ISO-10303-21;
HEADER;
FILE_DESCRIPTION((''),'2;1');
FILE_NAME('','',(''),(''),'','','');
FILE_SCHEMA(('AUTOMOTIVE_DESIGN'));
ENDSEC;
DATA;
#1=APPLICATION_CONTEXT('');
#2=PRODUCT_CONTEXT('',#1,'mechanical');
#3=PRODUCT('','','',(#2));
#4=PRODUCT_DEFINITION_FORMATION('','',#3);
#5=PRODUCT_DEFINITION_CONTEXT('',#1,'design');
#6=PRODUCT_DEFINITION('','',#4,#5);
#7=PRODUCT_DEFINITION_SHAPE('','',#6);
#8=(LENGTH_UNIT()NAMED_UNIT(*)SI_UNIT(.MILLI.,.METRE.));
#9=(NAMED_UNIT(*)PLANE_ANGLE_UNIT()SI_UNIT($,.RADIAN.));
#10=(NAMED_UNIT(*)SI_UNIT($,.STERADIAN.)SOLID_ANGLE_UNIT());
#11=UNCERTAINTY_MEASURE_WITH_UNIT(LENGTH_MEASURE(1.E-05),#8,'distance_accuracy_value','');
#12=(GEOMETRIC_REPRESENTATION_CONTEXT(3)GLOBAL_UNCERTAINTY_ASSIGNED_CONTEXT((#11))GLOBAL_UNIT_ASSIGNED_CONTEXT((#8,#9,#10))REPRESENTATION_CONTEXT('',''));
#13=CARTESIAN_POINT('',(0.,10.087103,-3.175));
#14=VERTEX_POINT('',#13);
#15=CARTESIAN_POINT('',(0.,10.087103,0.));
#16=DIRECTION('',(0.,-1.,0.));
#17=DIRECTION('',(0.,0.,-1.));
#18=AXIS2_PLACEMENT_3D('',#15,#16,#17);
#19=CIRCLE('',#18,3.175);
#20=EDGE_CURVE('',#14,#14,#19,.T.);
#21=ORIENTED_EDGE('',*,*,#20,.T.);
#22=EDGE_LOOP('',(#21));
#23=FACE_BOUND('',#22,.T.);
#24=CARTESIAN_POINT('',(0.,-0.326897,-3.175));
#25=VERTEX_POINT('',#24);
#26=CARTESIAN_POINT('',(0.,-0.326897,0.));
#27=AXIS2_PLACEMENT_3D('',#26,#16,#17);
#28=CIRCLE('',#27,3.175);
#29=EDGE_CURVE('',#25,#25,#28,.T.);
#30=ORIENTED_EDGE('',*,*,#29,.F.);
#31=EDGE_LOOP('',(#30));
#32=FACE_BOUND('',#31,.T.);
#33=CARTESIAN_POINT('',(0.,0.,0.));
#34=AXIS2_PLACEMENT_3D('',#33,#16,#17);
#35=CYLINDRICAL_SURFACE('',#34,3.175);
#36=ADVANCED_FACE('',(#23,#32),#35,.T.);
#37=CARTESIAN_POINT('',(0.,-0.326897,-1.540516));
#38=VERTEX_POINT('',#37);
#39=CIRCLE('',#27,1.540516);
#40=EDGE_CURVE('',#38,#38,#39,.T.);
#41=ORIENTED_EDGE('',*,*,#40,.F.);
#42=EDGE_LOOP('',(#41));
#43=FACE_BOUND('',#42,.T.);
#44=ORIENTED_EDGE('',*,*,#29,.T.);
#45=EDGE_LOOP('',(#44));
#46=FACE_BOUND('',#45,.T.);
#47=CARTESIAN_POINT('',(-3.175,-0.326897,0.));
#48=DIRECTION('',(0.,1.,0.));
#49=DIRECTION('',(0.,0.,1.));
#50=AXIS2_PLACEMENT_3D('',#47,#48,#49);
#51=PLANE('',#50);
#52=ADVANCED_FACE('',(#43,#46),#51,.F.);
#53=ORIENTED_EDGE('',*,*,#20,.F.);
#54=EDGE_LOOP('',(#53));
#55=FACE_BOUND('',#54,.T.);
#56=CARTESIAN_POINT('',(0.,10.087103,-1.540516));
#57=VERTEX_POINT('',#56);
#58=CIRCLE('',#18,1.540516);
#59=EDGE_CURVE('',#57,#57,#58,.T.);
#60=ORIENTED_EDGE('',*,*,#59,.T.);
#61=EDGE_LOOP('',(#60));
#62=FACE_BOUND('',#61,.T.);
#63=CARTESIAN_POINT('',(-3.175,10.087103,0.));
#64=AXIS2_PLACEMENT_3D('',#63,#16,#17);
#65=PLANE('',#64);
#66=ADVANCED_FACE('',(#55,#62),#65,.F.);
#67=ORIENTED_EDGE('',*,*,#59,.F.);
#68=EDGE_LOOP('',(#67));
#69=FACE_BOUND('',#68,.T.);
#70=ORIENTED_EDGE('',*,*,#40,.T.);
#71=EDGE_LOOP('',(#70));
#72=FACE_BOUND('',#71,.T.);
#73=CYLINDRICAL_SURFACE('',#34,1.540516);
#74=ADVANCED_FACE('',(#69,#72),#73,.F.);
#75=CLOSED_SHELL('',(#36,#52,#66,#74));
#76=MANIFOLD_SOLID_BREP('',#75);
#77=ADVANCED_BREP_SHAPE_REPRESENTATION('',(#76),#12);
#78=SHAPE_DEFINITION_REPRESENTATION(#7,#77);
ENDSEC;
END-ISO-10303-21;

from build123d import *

# Parameters (mm, degrees)
SKETCH1_W = 1.634484305
SKETCH1_H = 10.414


with BuildPart() as part:
    # Sketch1 → Revolve1 (revolve)
    with BuildSketch(Plane.XY, mode=Mode.PRIVATE) as revolve1_sk:
        with Locations((-2.357757848, 4.880103139)):
            Rectangle(SKETCH1_W, SKETCH1_H)
    revolve(revolve1_sk.sketch.rotate(Axis((0, 0, 0), (0, 1, 0)), 270), axis=Axis((0, 0, 0), (0, 1, 0)))


solid = part.part
